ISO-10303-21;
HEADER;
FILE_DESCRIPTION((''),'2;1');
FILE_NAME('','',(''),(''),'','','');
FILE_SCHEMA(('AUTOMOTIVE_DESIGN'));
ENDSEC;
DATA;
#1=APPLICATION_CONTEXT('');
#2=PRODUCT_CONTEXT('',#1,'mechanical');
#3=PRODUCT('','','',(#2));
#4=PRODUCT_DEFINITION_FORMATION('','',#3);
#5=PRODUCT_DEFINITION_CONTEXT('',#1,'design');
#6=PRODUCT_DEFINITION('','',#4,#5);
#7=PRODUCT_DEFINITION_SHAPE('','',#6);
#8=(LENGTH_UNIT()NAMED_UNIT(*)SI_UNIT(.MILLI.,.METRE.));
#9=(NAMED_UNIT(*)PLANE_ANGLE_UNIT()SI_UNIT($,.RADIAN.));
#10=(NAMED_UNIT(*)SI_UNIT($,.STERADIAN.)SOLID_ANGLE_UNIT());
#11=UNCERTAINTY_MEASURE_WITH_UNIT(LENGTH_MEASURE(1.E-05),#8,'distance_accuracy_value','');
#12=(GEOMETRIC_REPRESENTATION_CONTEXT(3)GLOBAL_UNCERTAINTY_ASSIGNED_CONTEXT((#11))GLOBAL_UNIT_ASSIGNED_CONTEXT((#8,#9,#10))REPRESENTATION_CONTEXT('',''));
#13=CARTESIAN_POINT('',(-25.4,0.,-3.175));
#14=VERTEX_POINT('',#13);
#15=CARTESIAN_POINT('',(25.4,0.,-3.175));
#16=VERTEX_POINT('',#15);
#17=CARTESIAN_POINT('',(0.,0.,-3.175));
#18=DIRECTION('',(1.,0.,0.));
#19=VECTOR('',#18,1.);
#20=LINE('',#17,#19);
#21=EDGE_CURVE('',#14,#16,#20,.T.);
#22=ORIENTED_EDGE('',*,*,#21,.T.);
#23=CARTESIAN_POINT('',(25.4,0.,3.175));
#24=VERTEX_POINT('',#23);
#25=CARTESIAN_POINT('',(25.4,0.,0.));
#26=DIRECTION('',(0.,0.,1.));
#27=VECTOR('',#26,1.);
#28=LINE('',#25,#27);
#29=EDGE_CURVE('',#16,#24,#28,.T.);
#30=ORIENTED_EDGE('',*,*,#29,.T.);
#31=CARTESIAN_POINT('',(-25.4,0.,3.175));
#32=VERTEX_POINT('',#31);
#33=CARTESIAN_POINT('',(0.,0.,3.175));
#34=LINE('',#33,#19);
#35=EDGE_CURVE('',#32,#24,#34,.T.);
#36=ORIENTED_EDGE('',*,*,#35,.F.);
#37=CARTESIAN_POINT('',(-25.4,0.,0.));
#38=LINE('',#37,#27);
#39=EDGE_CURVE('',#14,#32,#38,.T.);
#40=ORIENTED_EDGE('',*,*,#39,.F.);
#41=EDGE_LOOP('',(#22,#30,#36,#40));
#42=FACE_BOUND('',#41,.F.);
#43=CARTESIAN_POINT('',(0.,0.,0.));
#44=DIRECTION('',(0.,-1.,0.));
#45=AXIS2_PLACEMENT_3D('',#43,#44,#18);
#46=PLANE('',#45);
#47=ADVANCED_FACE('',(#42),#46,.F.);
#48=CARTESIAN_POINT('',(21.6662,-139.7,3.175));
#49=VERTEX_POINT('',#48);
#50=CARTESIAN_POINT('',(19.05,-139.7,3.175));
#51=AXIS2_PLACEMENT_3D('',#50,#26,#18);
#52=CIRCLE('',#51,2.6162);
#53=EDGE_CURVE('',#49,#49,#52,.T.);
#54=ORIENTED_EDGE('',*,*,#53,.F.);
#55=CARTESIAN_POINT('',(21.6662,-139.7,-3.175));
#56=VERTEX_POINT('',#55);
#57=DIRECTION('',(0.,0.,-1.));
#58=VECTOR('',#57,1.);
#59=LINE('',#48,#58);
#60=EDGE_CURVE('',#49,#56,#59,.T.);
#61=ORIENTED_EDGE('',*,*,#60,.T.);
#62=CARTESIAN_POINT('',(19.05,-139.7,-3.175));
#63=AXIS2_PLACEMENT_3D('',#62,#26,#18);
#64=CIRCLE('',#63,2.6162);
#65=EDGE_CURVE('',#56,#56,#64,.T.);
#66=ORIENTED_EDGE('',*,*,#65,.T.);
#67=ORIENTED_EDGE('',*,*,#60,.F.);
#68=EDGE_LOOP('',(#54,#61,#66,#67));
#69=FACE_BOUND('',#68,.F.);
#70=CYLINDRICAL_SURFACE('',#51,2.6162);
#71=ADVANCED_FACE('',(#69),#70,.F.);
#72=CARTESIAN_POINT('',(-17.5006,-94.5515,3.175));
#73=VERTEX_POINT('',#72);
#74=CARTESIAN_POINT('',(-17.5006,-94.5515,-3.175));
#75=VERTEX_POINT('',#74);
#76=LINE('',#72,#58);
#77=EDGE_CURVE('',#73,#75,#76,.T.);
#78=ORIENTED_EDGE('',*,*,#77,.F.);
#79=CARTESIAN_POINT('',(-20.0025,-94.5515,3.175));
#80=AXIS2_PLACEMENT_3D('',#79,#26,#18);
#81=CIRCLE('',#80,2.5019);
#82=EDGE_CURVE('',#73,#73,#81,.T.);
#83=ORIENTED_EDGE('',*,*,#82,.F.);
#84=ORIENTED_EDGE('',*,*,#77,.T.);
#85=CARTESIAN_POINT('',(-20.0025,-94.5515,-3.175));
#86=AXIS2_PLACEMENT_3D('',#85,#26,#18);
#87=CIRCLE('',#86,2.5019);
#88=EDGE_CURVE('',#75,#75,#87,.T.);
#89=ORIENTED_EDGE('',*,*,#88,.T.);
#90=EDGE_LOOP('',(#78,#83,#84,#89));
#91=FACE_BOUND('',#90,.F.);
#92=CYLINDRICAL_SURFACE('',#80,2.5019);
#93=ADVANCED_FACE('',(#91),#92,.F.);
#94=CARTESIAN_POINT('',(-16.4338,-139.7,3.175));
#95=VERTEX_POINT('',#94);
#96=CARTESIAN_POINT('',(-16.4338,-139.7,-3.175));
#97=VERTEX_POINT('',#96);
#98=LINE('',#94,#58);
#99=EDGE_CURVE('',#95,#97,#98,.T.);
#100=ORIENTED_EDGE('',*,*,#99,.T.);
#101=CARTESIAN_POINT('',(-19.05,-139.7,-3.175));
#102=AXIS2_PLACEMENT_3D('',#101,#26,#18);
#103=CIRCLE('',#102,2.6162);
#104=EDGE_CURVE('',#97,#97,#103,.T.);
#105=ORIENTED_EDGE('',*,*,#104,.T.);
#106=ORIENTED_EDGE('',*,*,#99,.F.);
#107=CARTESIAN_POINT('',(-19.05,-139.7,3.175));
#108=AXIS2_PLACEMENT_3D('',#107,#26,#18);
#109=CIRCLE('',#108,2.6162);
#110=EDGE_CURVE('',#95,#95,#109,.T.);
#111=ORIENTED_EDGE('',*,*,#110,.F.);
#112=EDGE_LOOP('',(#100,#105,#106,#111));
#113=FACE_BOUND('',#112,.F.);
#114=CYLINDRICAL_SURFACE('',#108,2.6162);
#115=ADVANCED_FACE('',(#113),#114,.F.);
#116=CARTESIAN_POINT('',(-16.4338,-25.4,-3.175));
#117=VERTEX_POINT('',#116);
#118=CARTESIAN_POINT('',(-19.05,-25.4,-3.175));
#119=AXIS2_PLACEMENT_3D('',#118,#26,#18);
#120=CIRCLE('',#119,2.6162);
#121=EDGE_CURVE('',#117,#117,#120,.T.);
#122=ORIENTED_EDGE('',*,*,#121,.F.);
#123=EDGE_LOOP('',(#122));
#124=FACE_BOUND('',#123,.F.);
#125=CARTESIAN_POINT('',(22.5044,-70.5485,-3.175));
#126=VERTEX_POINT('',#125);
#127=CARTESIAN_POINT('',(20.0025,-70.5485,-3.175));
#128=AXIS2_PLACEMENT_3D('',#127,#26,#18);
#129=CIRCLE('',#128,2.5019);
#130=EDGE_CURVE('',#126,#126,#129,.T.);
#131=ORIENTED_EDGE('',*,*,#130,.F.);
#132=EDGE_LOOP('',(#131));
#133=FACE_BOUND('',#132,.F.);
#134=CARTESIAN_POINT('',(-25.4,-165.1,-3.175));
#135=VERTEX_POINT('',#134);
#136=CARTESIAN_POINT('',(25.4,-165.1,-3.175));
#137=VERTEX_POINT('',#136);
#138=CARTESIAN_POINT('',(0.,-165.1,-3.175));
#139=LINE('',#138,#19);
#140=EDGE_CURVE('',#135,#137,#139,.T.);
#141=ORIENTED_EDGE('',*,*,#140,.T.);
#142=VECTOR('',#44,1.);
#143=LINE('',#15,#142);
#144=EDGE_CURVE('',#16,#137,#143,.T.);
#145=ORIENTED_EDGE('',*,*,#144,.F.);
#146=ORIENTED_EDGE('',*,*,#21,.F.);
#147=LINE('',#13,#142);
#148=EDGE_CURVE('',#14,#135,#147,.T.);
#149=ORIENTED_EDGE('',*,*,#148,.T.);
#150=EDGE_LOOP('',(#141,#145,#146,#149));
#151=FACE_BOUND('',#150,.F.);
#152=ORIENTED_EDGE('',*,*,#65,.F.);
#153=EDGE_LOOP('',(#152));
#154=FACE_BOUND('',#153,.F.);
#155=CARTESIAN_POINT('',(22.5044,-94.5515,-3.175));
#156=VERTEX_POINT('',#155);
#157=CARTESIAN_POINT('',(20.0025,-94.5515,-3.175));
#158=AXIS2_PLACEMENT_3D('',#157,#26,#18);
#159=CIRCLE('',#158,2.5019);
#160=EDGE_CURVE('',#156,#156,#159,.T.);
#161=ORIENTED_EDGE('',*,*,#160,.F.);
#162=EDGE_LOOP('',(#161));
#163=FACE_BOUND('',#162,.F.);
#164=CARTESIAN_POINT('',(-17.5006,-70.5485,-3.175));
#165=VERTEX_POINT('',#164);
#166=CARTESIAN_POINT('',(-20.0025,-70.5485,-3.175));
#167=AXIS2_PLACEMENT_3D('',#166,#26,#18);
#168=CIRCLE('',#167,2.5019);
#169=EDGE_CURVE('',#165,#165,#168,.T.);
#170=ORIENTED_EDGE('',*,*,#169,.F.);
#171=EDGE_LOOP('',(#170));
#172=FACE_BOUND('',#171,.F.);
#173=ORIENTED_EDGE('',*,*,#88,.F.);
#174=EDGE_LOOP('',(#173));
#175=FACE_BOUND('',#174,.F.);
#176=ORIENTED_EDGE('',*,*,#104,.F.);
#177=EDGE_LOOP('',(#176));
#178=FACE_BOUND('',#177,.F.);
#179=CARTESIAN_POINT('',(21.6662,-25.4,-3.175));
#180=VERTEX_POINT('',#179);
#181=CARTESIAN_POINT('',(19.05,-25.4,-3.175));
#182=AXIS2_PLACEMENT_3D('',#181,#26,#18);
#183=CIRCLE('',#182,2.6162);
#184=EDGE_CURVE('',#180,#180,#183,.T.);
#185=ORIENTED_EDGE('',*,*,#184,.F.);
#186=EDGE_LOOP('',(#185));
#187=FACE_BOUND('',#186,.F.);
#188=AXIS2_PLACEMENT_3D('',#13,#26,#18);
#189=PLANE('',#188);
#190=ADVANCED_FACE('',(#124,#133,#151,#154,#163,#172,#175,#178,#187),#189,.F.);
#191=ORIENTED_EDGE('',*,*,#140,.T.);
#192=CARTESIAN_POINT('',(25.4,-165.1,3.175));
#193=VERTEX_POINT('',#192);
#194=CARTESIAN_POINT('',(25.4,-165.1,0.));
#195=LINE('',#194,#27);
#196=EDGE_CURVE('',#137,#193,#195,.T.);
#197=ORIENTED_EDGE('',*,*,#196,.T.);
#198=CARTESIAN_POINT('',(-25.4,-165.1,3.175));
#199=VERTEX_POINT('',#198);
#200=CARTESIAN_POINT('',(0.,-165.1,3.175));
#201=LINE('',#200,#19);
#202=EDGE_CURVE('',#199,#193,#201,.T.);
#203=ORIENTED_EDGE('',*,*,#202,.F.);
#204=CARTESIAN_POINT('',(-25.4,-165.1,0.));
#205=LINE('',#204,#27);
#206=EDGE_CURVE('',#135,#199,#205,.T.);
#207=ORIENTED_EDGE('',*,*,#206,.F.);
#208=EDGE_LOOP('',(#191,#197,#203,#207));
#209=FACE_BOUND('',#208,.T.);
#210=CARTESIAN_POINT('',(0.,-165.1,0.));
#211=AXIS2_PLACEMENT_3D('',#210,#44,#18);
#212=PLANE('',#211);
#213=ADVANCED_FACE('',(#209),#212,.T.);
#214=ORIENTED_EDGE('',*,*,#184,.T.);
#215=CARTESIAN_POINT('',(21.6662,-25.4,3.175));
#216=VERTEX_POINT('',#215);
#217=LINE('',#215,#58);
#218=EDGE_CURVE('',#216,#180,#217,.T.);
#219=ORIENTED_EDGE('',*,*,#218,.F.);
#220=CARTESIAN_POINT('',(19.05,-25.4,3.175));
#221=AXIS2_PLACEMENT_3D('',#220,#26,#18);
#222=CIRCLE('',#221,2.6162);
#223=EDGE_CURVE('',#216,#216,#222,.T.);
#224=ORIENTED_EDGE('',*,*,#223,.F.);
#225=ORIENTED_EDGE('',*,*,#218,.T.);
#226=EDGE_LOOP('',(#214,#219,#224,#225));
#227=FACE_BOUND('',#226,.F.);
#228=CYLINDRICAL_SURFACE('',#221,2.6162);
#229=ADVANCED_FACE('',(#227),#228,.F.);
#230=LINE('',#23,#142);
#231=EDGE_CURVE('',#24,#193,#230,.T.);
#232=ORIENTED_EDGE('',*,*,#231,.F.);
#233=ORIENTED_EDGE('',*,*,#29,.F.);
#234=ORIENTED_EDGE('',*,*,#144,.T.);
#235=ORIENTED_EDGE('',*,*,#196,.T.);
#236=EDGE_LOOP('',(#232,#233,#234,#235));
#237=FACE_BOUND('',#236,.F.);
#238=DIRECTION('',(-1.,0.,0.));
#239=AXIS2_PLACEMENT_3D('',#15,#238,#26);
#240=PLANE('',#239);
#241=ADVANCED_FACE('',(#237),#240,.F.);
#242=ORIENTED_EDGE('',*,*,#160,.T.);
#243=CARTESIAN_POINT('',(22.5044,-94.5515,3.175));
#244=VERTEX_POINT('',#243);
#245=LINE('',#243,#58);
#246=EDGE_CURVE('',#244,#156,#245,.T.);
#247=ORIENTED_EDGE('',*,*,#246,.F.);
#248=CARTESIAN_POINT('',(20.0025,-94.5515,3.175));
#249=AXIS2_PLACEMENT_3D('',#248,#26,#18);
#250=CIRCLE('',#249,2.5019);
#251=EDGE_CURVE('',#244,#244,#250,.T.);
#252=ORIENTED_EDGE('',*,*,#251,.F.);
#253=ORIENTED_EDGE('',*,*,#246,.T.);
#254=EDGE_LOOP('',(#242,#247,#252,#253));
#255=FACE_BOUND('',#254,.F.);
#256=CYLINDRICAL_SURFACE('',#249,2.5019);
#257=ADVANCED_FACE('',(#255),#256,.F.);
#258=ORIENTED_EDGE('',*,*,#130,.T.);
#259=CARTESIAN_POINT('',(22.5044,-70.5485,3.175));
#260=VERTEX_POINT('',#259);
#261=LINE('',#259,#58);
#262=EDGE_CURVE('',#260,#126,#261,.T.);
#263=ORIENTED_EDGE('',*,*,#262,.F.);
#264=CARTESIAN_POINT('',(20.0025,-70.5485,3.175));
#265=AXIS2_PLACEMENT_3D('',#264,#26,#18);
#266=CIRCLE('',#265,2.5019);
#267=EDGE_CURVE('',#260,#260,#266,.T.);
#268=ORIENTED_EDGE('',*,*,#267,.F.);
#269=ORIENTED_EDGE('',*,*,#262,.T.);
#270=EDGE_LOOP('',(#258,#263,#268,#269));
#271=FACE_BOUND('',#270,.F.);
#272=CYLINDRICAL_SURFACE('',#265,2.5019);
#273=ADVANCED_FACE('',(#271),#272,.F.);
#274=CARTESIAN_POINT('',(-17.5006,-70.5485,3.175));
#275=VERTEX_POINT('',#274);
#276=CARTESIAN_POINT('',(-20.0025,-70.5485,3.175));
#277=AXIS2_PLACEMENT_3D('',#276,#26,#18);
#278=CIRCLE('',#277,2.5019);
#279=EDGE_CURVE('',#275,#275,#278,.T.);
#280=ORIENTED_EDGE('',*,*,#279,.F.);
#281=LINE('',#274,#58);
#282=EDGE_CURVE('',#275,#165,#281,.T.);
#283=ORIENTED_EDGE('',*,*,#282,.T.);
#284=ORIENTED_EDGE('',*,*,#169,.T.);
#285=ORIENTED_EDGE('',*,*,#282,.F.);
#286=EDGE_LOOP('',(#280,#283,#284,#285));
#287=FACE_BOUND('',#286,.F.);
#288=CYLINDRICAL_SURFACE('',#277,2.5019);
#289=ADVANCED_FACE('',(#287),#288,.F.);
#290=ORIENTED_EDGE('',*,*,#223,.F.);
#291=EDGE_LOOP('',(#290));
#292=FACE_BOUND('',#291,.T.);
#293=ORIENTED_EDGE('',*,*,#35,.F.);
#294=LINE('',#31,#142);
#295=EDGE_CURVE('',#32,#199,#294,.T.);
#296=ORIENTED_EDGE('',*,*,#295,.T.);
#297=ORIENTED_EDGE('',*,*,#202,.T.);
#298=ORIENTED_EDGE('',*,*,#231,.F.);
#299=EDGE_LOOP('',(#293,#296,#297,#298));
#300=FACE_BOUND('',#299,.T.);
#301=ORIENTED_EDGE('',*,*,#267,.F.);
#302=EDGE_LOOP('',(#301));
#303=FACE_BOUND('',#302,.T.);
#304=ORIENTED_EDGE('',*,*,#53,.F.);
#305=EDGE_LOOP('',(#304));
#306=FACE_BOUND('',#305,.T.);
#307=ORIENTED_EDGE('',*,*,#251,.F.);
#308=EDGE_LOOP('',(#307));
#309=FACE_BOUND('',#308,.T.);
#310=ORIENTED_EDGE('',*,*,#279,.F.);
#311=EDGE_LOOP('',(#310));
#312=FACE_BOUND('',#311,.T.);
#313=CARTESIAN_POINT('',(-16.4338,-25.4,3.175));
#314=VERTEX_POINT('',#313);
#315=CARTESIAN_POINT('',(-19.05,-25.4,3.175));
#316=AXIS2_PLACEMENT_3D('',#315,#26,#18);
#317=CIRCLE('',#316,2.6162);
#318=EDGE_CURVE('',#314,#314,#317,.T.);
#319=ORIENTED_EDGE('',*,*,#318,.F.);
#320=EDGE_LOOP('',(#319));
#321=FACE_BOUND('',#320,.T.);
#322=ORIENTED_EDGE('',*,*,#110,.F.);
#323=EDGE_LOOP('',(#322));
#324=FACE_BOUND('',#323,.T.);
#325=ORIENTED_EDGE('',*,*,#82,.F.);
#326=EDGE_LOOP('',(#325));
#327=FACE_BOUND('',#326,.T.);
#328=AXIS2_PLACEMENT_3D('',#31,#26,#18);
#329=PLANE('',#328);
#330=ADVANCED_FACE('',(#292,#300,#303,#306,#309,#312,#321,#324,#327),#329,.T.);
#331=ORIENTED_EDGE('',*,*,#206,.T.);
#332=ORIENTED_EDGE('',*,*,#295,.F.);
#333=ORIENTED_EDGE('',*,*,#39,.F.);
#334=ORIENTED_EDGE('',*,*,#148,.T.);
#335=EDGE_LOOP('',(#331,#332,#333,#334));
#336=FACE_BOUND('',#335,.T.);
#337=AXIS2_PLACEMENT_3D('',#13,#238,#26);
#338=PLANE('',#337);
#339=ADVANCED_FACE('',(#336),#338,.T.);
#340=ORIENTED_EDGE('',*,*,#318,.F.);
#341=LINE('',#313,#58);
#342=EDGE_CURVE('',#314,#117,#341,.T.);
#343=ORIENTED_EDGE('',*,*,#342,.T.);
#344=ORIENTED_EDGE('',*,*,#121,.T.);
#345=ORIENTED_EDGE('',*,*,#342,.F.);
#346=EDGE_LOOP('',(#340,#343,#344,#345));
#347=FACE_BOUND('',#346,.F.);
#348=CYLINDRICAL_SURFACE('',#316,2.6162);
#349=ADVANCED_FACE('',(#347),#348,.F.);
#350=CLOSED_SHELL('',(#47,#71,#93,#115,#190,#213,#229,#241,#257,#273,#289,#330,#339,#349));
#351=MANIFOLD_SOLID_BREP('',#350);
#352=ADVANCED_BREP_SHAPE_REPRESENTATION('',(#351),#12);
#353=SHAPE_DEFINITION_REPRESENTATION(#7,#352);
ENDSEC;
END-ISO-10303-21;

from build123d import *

# Parameters (mm, degrees)
F0_W     = 50.8
F0_H     = 6.35
F1_DEPTH = 165.1
F2_R     = 2.5019
F2_R_2   = 2.6162
F3_DEPTH = 6.351


with BuildPart() as f1:
    # F0 (on Front) → F1 (new body)
    with BuildSketch(Plane.XZ):
        Rectangle(F0_W, F0_H)
    extrude(amount=F1_DEPTH)

    # F2 (on face) → F3 (cut, through all)
    with BuildSketch(Plane.XY.offset(3.175)):
        with Locations((-20.0025, -94.5515)):
            Circle(F2_R)
        with Locations((20.0025, -94.5515)):
            Circle(F2_R)
        with Locations((20.0025, -70.5485)):
            Circle(F2_R)
        with Locations((-20.0025, -70.5485)):
            Circle(F2_R)
        with Locations((-19.05, -139.7)):
            Circle(F2_R_2)
        with Locations((19.05, -139.7)):
            Circle(F2_R_2)
        with Locations((-19.05, -25.4)):
            Circle(F2_R_2)
        with Locations((19.05, -25.4)):
            Circle(F2_R_2)
    extrude(amount=-F3_DEPTH, mode=Mode.SUBTRACT)


solid = f1.part
